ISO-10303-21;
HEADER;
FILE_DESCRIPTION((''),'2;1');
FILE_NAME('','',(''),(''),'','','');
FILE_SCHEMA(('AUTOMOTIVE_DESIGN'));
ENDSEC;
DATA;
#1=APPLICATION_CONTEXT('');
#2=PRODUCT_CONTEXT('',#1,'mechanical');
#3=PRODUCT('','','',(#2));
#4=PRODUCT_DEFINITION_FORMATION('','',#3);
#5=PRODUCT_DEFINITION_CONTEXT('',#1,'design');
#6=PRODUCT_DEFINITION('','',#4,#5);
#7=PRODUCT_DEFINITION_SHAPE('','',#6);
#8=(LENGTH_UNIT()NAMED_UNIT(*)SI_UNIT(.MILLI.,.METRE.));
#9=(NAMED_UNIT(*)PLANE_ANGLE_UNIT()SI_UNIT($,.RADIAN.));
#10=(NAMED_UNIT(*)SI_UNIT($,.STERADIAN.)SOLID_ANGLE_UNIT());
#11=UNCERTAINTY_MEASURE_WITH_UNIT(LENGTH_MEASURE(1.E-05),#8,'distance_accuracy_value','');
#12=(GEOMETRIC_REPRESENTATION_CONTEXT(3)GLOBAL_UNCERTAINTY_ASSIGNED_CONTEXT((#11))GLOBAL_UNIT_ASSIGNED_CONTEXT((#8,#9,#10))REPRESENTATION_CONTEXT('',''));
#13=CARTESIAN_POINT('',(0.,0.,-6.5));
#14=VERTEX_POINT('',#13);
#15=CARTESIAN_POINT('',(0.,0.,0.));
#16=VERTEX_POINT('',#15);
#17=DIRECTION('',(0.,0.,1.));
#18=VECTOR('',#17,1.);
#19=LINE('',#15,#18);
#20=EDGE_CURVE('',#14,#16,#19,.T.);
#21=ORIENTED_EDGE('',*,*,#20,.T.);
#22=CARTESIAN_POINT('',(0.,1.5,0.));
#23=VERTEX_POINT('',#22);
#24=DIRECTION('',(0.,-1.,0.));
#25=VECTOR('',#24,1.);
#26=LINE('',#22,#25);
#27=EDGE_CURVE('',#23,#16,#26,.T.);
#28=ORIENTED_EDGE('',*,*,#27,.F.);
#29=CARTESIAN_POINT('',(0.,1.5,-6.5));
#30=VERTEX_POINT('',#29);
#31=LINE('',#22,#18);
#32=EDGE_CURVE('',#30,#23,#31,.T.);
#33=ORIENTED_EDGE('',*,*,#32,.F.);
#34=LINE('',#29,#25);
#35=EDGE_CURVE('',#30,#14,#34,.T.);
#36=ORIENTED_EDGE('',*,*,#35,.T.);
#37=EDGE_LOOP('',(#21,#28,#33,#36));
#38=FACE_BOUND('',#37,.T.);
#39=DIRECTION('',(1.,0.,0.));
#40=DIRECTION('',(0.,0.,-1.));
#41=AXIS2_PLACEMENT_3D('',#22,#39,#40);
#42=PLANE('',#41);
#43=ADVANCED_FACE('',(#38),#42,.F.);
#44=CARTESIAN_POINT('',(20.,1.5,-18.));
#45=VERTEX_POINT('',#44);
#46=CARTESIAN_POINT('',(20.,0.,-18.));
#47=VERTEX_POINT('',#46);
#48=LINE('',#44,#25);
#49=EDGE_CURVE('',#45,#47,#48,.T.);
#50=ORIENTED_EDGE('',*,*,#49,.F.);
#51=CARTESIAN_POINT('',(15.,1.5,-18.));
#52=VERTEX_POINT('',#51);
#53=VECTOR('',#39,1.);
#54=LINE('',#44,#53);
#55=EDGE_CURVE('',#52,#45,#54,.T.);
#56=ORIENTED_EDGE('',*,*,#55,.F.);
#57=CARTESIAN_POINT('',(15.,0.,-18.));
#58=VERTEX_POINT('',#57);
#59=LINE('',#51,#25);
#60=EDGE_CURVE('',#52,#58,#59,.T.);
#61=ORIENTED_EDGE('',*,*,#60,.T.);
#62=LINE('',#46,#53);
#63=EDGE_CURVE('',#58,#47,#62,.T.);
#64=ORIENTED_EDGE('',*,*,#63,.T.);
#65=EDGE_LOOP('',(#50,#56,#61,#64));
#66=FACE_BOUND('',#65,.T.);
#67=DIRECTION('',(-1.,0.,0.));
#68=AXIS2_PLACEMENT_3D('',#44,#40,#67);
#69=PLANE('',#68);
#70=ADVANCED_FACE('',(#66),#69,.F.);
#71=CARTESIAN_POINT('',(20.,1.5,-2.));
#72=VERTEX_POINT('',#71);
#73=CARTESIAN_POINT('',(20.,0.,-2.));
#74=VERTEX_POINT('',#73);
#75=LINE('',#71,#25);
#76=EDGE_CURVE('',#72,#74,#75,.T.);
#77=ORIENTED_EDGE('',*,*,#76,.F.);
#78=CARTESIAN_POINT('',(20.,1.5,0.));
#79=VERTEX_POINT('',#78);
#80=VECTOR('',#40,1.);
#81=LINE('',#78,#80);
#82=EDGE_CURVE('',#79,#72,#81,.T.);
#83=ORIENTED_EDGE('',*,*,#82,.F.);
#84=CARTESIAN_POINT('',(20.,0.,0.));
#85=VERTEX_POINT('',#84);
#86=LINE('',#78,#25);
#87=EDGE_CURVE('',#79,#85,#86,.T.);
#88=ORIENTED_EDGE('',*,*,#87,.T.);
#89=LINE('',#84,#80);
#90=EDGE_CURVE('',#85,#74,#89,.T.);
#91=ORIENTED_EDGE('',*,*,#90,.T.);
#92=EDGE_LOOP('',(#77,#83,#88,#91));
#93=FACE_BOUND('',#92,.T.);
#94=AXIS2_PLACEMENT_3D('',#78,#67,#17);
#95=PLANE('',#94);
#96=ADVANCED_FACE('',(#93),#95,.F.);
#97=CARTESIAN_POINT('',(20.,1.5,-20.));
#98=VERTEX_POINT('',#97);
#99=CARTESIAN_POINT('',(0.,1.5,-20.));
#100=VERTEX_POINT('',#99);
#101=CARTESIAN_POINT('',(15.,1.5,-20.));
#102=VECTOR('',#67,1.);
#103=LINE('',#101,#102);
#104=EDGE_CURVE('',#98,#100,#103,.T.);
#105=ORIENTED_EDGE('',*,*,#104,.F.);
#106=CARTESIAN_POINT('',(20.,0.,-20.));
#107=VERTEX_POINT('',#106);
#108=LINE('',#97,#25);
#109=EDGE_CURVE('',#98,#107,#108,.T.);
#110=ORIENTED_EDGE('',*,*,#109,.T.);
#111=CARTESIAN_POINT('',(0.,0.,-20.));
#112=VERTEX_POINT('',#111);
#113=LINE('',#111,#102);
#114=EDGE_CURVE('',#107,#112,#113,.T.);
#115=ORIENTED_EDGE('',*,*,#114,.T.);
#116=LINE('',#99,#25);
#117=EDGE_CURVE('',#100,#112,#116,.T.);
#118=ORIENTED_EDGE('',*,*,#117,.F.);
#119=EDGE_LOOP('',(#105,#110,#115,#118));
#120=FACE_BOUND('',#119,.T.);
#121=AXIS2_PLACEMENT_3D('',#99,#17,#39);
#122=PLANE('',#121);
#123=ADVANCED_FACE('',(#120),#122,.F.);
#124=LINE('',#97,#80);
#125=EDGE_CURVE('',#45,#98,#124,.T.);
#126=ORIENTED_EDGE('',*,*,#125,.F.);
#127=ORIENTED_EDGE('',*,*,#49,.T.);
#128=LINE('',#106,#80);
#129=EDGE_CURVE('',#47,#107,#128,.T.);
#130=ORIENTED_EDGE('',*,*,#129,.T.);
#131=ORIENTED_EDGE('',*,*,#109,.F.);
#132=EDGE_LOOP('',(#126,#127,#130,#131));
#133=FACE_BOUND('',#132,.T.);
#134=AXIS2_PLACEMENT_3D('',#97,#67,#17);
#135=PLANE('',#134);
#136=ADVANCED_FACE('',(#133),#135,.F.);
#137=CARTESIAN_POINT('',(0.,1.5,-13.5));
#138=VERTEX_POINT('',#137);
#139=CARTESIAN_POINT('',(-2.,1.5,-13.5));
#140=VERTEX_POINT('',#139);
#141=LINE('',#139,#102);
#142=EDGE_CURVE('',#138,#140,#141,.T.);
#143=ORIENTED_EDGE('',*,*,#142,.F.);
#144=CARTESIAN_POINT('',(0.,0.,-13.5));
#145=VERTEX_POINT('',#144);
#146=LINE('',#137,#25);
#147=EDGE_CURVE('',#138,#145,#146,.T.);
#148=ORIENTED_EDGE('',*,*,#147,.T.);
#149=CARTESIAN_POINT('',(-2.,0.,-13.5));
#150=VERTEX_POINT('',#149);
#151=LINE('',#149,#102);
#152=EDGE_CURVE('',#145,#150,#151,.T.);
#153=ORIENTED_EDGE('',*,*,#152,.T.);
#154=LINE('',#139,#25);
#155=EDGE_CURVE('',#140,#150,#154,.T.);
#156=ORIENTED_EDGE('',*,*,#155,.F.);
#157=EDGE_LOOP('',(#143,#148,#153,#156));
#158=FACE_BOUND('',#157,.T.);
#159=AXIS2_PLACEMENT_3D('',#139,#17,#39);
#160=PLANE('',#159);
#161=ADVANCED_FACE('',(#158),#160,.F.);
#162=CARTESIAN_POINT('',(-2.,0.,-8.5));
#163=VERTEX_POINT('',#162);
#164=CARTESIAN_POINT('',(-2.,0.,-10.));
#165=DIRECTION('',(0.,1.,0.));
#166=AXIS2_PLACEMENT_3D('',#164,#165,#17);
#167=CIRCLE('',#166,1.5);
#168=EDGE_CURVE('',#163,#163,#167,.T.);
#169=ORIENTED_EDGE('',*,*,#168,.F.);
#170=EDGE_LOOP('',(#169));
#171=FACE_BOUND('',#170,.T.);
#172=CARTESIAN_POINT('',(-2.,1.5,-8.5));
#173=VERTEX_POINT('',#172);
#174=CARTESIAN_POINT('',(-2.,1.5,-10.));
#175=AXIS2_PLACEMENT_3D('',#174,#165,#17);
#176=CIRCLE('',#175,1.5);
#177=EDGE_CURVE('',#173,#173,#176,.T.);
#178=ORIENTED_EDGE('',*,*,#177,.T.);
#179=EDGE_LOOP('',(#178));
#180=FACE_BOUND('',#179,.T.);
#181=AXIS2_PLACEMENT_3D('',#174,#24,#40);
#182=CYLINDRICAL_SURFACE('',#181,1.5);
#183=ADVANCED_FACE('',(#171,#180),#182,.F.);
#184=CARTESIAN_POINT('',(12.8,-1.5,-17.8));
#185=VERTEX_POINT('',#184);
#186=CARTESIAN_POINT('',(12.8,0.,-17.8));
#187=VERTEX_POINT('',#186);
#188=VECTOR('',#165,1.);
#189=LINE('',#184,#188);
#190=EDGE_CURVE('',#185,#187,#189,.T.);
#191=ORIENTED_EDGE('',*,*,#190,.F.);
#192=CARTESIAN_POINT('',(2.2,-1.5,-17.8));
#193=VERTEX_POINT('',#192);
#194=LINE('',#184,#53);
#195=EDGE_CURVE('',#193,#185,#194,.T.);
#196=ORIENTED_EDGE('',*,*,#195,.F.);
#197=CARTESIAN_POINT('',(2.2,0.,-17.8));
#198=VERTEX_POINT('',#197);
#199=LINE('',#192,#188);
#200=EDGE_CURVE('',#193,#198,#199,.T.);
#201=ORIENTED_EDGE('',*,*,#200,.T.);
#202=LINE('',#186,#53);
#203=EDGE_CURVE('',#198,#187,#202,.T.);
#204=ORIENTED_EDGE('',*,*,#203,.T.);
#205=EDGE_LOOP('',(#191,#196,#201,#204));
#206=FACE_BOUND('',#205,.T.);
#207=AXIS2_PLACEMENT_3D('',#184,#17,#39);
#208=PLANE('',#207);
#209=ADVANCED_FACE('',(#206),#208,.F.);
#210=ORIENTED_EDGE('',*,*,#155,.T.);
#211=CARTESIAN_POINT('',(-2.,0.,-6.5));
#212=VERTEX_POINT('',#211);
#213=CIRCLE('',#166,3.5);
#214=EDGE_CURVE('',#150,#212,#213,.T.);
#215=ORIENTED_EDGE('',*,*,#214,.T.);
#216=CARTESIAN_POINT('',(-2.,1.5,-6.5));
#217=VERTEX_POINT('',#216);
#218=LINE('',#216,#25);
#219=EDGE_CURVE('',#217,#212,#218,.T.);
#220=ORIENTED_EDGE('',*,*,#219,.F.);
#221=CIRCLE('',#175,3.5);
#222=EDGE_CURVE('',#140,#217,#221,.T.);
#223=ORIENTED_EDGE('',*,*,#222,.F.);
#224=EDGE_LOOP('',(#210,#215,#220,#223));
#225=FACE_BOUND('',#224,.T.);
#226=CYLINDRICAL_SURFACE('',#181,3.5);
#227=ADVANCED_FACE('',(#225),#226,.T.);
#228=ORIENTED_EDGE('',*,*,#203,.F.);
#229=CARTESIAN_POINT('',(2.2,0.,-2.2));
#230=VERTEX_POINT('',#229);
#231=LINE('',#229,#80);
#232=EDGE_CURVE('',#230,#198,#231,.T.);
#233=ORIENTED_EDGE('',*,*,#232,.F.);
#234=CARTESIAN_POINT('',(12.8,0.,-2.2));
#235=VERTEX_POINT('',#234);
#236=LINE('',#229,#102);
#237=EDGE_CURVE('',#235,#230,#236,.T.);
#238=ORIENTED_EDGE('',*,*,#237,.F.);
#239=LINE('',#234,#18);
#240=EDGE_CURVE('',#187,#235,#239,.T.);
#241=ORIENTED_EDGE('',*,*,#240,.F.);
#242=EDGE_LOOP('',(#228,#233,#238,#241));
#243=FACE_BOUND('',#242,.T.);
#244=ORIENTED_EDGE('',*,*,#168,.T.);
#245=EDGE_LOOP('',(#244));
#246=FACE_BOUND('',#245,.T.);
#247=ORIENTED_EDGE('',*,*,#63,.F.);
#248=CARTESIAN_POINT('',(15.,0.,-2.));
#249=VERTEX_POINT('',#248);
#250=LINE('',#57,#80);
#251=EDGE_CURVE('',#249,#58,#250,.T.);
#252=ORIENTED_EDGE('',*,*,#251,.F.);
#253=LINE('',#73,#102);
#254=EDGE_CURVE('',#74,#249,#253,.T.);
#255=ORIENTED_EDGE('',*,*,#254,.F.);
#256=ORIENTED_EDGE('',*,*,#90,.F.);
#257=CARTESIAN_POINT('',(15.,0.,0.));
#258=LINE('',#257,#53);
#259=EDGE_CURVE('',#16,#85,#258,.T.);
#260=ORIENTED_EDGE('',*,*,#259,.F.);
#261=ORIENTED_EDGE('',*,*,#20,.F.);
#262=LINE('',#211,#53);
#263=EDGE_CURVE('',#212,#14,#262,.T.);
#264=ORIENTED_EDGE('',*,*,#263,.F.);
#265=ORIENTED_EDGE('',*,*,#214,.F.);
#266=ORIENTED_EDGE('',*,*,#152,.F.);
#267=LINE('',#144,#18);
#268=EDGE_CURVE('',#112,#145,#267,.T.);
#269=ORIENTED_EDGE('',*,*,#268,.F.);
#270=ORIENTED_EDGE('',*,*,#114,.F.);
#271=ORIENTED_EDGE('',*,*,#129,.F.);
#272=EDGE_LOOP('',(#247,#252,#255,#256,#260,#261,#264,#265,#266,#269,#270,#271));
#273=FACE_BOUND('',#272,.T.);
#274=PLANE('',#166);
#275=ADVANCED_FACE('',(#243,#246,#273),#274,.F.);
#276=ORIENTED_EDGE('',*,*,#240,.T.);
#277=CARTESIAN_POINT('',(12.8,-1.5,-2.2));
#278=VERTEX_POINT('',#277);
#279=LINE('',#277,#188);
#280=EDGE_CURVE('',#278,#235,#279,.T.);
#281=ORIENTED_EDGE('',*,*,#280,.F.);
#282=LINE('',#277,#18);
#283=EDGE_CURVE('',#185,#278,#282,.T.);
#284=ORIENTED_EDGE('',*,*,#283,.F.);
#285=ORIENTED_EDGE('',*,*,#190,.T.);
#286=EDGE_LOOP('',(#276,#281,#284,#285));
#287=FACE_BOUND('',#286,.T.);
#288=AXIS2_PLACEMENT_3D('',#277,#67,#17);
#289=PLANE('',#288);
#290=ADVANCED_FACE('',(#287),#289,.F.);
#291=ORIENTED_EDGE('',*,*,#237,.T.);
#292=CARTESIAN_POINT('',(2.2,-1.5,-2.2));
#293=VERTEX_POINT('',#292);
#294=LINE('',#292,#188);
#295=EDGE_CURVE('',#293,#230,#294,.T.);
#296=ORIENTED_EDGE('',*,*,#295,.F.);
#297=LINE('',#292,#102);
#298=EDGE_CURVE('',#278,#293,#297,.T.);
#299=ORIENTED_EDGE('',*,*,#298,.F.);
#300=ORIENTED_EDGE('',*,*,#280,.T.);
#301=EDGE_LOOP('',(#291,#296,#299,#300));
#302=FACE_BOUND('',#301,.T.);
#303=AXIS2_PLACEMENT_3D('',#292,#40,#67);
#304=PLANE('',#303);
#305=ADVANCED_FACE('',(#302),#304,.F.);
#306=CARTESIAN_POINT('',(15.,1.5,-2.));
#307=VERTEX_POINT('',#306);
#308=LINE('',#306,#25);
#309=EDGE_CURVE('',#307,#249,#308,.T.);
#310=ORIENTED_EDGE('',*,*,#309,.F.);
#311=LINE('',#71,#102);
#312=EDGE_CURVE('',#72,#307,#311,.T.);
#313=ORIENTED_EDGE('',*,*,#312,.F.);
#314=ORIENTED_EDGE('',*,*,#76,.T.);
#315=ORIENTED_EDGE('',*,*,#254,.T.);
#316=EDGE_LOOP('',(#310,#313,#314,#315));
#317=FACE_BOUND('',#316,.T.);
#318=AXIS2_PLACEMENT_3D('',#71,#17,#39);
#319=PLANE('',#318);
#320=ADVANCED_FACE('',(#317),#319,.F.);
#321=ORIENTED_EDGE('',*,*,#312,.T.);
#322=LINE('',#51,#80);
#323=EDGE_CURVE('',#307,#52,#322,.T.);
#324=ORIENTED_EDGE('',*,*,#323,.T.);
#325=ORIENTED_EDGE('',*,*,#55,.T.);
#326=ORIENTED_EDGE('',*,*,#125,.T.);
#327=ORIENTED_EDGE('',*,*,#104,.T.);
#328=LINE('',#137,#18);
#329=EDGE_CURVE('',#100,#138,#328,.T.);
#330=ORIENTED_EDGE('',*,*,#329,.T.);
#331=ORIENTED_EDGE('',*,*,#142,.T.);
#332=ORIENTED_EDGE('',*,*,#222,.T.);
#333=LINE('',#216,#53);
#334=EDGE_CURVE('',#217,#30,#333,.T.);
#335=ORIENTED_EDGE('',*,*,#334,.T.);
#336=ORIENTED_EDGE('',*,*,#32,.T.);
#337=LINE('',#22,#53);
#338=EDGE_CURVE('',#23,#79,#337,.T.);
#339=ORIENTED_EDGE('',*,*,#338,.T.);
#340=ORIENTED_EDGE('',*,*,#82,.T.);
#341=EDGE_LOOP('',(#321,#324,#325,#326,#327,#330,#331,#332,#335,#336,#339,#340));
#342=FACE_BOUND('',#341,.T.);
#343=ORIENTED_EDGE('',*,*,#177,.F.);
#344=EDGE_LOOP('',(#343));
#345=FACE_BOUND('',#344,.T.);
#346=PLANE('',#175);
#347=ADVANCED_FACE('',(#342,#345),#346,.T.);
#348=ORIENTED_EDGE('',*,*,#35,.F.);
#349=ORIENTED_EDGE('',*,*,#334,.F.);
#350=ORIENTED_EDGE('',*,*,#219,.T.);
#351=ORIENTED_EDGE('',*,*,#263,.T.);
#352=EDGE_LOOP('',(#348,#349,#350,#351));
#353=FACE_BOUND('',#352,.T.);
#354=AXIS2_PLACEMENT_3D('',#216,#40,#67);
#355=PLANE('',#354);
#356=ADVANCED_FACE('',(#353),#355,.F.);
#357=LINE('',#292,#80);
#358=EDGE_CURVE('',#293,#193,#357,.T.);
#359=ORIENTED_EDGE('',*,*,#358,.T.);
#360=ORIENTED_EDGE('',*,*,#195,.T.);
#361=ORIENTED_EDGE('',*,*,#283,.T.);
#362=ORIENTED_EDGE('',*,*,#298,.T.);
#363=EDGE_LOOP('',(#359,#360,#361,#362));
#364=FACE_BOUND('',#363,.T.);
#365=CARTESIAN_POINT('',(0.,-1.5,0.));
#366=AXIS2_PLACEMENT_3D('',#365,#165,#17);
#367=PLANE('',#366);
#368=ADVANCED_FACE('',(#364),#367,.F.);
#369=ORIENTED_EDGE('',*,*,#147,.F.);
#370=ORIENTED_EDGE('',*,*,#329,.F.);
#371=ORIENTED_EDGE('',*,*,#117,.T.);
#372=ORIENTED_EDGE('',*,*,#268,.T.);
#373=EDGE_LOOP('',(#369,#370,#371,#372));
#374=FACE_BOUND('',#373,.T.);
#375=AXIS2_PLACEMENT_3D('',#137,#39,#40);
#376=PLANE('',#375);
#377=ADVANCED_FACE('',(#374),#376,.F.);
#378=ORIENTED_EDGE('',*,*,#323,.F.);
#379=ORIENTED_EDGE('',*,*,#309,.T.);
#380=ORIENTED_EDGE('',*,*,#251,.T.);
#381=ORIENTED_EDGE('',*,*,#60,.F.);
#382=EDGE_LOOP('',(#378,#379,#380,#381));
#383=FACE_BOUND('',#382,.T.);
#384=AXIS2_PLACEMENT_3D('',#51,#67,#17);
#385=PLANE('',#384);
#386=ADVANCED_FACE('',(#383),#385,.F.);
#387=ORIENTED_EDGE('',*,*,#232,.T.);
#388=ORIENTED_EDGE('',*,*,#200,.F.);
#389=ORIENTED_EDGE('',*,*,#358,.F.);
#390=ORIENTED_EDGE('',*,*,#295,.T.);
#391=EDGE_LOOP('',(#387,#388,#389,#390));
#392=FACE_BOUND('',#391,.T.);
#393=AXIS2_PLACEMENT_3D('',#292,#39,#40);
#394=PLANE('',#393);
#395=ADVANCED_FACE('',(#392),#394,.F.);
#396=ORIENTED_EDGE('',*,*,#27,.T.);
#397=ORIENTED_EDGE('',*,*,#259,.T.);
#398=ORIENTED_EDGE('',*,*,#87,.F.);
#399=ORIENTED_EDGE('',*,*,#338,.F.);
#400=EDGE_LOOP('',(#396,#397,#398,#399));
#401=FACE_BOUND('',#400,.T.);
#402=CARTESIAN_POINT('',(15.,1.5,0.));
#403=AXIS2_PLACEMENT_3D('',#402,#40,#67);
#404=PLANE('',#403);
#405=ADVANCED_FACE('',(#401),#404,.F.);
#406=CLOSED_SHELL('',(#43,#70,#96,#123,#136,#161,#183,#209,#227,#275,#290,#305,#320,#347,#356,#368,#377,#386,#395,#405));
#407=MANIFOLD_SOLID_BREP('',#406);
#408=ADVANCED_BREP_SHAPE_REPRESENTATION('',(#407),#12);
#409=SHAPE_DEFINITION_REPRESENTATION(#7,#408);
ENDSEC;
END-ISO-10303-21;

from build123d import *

# Parameters (mm, degrees)
SKETCH2_R           = 1.5
BOSS_EXTRUDE1_DEPTH = 1.5
SKETCH3_W           = 10.6
SKETCH3_H           = 15.6
BOSS_EXTRUDE2_DEPTH = 1.5


with BuildPart() as part:
    # Sketch2 → Boss-Extrude1 (new body)
    with BuildSketch(Plane(origin=(0, 0, 0), x_dir=(1, 0, 0), z_dir=(0, 1, 0))):
        with BuildLine():
            Line((15, 18), (15, 2))
            Line((15, 2), (20, 2))
            Line((20, 2), (20, 0))
            Line((20, 0), (15, 0))
            Line((15, 0), (0, 0))
            Line((0, 0), (0, 6.5))
            Line((0, 6.5), (-2, 6.5))
            ThreePointArc((-2, 6.5), (-5.5, 10), (-2, 13.5))
            Line((-2, 13.5), (0, 13.5))
            Line((0, 13.5), (0, 20))
            Line((0, 20), (15, 20))
            Line((15, 20), (20, 20))
            Line((20, 20), (20, 18))
            Line((20, 18), (15, 18))
        make_face()
        with Locations(Location((-2, 10, 0), (0, 0, 270))):
            Circle(SKETCH2_R, mode=Mode.SUBTRACT)
    extrude(amount=BOSS_EXTRUDE1_DEPTH)

    # Sketch3 → Boss-Extrude2 (add)
    with BuildSketch(Plane.XZ):
        with Locations((7.5, -10)):
            Rectangle(SKETCH3_W, SKETCH3_H)
    extrude(amount=BOSS_EXTRUDE2_DEPTH)


solid = part.part
